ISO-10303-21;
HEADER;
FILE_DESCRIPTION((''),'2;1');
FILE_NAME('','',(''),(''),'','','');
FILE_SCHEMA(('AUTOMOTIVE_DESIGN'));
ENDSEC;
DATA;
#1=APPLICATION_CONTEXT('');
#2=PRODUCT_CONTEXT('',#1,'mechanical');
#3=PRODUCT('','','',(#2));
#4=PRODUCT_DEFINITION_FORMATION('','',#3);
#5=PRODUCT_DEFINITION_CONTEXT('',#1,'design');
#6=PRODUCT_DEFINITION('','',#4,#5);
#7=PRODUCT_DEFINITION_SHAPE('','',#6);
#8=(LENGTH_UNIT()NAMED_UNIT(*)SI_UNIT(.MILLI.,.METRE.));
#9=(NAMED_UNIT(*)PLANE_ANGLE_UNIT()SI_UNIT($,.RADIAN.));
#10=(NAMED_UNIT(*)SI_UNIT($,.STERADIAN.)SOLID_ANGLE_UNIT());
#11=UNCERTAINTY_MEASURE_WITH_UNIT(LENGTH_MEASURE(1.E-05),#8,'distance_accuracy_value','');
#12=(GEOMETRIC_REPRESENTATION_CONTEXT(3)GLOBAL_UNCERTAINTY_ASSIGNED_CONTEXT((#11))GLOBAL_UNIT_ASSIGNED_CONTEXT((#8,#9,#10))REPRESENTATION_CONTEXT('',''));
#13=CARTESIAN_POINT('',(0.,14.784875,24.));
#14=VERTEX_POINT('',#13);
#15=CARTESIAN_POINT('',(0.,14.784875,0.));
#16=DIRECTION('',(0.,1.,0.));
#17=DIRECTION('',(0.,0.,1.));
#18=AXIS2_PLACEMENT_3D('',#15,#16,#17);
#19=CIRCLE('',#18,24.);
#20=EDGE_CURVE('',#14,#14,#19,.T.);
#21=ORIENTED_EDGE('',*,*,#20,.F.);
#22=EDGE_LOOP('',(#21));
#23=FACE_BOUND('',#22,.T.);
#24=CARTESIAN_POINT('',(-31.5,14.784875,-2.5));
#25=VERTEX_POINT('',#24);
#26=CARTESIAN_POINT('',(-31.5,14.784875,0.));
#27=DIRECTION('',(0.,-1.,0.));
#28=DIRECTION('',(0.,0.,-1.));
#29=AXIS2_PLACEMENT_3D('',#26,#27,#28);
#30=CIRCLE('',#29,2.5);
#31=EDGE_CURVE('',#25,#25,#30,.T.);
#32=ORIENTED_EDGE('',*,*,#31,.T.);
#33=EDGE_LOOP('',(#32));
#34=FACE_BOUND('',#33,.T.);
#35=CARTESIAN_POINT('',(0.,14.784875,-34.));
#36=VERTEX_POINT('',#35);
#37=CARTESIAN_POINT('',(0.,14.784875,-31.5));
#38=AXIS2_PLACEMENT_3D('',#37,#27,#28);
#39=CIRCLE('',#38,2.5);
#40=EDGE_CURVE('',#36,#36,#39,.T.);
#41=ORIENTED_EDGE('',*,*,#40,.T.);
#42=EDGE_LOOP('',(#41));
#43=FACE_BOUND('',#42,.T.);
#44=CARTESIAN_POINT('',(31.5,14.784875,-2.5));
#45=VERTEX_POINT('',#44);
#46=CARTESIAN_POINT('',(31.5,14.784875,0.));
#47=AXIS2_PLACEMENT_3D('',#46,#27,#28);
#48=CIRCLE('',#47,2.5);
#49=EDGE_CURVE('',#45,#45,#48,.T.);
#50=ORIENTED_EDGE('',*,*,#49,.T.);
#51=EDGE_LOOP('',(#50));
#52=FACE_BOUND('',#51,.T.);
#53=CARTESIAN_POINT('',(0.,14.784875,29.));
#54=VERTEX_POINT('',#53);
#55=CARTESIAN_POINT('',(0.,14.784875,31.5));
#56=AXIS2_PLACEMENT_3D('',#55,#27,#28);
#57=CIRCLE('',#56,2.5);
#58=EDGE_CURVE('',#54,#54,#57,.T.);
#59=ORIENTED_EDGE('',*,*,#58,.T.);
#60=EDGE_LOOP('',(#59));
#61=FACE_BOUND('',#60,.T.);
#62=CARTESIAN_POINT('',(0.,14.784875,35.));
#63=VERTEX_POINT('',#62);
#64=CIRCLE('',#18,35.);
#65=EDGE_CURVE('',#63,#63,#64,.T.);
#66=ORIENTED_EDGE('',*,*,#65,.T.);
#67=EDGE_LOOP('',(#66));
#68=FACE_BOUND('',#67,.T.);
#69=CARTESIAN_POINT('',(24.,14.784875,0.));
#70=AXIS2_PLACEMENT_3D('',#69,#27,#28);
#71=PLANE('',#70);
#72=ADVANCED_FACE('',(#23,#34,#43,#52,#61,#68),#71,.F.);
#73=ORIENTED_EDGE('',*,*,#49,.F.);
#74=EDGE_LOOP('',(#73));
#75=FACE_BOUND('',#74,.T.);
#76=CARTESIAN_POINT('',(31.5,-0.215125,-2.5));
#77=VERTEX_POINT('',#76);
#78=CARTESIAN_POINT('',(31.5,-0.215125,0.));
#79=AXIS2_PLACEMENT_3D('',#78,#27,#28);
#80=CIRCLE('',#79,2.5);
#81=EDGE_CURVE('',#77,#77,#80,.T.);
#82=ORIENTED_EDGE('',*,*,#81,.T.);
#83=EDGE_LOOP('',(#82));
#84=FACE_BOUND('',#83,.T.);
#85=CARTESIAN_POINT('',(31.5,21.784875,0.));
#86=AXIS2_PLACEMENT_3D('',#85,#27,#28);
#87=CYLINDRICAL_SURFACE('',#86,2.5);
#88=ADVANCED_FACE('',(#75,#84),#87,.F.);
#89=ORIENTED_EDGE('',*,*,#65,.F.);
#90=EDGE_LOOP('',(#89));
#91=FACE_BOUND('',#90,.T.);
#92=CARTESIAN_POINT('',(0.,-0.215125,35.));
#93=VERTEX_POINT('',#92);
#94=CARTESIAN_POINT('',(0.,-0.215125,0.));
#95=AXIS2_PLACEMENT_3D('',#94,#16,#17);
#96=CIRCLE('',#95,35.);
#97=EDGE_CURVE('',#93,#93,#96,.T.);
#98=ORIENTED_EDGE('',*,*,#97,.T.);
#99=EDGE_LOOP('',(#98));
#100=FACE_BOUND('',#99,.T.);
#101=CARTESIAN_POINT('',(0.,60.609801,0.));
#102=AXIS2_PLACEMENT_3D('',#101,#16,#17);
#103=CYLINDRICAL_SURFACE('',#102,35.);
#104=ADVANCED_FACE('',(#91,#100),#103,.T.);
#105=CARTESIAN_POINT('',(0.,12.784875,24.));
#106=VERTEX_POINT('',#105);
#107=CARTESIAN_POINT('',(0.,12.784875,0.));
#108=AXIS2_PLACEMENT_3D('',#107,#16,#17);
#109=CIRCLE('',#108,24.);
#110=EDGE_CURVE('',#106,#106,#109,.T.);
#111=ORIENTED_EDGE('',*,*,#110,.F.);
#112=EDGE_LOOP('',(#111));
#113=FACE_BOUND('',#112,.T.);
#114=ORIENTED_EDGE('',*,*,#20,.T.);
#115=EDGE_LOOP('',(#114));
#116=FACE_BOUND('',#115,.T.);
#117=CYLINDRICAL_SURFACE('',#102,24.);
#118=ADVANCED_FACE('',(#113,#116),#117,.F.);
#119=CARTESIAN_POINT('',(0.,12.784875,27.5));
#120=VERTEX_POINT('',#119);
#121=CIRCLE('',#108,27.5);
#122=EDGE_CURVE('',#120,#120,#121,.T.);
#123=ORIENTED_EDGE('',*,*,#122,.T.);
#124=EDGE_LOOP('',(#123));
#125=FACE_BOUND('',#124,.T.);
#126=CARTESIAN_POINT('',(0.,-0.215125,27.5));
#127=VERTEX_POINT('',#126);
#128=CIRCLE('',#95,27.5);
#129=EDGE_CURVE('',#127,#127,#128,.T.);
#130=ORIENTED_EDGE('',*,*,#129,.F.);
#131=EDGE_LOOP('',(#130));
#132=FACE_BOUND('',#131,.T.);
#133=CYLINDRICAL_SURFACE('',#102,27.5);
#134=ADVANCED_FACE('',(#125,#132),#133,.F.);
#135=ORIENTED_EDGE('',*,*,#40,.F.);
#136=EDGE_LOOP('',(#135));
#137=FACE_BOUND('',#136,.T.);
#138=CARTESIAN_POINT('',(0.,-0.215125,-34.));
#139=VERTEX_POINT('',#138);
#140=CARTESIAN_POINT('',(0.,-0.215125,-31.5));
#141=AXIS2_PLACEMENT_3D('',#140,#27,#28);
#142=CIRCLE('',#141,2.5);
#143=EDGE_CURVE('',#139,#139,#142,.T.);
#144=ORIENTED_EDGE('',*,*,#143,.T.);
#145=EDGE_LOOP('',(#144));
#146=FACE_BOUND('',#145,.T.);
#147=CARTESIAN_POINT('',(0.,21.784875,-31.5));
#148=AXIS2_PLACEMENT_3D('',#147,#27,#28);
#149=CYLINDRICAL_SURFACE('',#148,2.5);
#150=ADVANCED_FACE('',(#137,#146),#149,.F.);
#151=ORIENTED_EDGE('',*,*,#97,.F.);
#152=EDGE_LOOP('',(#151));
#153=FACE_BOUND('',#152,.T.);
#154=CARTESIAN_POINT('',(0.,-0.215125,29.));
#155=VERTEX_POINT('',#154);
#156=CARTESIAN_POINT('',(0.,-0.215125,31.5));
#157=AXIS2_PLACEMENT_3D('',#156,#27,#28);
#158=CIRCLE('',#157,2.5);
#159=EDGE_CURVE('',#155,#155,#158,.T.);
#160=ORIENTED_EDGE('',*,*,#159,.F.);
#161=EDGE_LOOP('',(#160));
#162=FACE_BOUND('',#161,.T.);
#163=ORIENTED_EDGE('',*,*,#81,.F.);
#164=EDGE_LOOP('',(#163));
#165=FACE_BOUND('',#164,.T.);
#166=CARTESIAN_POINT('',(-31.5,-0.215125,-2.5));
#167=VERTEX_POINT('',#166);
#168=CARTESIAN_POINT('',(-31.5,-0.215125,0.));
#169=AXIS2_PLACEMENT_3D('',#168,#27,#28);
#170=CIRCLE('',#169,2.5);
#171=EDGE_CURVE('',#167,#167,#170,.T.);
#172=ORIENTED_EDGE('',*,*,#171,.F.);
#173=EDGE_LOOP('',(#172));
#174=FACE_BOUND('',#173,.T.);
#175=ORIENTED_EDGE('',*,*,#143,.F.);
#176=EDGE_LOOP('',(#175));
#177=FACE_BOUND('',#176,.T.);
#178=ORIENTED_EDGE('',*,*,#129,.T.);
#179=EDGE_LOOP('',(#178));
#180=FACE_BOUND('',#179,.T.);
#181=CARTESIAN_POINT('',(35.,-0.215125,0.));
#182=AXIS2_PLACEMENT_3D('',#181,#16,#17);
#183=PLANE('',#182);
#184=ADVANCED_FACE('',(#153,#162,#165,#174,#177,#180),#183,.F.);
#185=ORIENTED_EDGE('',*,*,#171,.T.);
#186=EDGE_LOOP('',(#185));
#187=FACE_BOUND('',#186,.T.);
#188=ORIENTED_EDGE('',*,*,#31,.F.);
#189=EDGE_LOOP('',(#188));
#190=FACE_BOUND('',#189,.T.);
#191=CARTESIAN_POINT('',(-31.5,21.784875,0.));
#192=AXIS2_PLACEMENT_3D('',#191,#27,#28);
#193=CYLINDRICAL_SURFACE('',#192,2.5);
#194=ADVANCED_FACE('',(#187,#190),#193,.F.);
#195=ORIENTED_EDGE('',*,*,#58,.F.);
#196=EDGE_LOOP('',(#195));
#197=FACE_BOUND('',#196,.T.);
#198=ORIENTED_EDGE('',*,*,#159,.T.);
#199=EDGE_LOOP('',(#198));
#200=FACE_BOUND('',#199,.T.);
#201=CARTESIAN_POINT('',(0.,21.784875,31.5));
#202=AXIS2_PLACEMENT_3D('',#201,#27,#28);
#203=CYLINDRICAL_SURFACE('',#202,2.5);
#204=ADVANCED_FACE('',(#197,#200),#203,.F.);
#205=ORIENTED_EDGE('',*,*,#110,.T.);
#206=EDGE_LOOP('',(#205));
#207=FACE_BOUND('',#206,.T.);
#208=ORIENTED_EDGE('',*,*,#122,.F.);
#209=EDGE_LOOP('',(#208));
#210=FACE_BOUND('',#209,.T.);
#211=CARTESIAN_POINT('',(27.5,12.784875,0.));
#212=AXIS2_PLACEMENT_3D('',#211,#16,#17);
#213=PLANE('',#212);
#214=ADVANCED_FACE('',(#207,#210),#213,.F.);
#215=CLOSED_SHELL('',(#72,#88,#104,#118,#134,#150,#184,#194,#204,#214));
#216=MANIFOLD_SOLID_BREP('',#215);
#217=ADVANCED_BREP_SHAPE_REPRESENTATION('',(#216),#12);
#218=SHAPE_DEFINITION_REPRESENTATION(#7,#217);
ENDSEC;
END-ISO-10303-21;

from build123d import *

# Parameters (mm, degrees)
SKETCH_2_R          = 2.5
CUT_EXTRUDE_1_DEPTH = 22


with BuildPart() as part:
    # Эскиз1 → Повернуть1 (revolve)
    with BuildSketch(Plane.XY, mode=Mode.PRIVATE) as revolve_1_sk:
        Polygon((24, 14.784875022), (35, 14.784875022), (35, -0.215124978), (27.5, -0.215124978), (27.5, 12.784875022), (24, 12.784875022), align=None)
    revolve(revolve_1_sk.sketch.rotate(Axis((0, 60.609800664, 0), (0, -1, 0)), 90), axis=Axis((0, 60.609800664, 0), (0, -1, 0)))

    # Эскиз2 → Вырез-Вытянуть1 (cut)
    with BuildSketch(Plane.XZ.offset(0.215124978)):
        with Locations(Location((0, 31.5, 0), (0, 0, 270))):
            Circle(SKETCH_2_R)
        with Locations(Location((0, -31.5, 0), (0, 0, 270))):
            Circle(SKETCH_2_R)
        with Locations(Location((31.5, 0, 0), (0, 0, 270))):
            Circle(SKETCH_2_R)
        with Locations(Location((-31.5, 0, 0), (0, 0, 270))):
            Circle(SKETCH_2_R)
    extrude(amount=-CUT_EXTRUDE_1_DEPTH, mode=Mode.SUBTRACT)


solid = part.part
